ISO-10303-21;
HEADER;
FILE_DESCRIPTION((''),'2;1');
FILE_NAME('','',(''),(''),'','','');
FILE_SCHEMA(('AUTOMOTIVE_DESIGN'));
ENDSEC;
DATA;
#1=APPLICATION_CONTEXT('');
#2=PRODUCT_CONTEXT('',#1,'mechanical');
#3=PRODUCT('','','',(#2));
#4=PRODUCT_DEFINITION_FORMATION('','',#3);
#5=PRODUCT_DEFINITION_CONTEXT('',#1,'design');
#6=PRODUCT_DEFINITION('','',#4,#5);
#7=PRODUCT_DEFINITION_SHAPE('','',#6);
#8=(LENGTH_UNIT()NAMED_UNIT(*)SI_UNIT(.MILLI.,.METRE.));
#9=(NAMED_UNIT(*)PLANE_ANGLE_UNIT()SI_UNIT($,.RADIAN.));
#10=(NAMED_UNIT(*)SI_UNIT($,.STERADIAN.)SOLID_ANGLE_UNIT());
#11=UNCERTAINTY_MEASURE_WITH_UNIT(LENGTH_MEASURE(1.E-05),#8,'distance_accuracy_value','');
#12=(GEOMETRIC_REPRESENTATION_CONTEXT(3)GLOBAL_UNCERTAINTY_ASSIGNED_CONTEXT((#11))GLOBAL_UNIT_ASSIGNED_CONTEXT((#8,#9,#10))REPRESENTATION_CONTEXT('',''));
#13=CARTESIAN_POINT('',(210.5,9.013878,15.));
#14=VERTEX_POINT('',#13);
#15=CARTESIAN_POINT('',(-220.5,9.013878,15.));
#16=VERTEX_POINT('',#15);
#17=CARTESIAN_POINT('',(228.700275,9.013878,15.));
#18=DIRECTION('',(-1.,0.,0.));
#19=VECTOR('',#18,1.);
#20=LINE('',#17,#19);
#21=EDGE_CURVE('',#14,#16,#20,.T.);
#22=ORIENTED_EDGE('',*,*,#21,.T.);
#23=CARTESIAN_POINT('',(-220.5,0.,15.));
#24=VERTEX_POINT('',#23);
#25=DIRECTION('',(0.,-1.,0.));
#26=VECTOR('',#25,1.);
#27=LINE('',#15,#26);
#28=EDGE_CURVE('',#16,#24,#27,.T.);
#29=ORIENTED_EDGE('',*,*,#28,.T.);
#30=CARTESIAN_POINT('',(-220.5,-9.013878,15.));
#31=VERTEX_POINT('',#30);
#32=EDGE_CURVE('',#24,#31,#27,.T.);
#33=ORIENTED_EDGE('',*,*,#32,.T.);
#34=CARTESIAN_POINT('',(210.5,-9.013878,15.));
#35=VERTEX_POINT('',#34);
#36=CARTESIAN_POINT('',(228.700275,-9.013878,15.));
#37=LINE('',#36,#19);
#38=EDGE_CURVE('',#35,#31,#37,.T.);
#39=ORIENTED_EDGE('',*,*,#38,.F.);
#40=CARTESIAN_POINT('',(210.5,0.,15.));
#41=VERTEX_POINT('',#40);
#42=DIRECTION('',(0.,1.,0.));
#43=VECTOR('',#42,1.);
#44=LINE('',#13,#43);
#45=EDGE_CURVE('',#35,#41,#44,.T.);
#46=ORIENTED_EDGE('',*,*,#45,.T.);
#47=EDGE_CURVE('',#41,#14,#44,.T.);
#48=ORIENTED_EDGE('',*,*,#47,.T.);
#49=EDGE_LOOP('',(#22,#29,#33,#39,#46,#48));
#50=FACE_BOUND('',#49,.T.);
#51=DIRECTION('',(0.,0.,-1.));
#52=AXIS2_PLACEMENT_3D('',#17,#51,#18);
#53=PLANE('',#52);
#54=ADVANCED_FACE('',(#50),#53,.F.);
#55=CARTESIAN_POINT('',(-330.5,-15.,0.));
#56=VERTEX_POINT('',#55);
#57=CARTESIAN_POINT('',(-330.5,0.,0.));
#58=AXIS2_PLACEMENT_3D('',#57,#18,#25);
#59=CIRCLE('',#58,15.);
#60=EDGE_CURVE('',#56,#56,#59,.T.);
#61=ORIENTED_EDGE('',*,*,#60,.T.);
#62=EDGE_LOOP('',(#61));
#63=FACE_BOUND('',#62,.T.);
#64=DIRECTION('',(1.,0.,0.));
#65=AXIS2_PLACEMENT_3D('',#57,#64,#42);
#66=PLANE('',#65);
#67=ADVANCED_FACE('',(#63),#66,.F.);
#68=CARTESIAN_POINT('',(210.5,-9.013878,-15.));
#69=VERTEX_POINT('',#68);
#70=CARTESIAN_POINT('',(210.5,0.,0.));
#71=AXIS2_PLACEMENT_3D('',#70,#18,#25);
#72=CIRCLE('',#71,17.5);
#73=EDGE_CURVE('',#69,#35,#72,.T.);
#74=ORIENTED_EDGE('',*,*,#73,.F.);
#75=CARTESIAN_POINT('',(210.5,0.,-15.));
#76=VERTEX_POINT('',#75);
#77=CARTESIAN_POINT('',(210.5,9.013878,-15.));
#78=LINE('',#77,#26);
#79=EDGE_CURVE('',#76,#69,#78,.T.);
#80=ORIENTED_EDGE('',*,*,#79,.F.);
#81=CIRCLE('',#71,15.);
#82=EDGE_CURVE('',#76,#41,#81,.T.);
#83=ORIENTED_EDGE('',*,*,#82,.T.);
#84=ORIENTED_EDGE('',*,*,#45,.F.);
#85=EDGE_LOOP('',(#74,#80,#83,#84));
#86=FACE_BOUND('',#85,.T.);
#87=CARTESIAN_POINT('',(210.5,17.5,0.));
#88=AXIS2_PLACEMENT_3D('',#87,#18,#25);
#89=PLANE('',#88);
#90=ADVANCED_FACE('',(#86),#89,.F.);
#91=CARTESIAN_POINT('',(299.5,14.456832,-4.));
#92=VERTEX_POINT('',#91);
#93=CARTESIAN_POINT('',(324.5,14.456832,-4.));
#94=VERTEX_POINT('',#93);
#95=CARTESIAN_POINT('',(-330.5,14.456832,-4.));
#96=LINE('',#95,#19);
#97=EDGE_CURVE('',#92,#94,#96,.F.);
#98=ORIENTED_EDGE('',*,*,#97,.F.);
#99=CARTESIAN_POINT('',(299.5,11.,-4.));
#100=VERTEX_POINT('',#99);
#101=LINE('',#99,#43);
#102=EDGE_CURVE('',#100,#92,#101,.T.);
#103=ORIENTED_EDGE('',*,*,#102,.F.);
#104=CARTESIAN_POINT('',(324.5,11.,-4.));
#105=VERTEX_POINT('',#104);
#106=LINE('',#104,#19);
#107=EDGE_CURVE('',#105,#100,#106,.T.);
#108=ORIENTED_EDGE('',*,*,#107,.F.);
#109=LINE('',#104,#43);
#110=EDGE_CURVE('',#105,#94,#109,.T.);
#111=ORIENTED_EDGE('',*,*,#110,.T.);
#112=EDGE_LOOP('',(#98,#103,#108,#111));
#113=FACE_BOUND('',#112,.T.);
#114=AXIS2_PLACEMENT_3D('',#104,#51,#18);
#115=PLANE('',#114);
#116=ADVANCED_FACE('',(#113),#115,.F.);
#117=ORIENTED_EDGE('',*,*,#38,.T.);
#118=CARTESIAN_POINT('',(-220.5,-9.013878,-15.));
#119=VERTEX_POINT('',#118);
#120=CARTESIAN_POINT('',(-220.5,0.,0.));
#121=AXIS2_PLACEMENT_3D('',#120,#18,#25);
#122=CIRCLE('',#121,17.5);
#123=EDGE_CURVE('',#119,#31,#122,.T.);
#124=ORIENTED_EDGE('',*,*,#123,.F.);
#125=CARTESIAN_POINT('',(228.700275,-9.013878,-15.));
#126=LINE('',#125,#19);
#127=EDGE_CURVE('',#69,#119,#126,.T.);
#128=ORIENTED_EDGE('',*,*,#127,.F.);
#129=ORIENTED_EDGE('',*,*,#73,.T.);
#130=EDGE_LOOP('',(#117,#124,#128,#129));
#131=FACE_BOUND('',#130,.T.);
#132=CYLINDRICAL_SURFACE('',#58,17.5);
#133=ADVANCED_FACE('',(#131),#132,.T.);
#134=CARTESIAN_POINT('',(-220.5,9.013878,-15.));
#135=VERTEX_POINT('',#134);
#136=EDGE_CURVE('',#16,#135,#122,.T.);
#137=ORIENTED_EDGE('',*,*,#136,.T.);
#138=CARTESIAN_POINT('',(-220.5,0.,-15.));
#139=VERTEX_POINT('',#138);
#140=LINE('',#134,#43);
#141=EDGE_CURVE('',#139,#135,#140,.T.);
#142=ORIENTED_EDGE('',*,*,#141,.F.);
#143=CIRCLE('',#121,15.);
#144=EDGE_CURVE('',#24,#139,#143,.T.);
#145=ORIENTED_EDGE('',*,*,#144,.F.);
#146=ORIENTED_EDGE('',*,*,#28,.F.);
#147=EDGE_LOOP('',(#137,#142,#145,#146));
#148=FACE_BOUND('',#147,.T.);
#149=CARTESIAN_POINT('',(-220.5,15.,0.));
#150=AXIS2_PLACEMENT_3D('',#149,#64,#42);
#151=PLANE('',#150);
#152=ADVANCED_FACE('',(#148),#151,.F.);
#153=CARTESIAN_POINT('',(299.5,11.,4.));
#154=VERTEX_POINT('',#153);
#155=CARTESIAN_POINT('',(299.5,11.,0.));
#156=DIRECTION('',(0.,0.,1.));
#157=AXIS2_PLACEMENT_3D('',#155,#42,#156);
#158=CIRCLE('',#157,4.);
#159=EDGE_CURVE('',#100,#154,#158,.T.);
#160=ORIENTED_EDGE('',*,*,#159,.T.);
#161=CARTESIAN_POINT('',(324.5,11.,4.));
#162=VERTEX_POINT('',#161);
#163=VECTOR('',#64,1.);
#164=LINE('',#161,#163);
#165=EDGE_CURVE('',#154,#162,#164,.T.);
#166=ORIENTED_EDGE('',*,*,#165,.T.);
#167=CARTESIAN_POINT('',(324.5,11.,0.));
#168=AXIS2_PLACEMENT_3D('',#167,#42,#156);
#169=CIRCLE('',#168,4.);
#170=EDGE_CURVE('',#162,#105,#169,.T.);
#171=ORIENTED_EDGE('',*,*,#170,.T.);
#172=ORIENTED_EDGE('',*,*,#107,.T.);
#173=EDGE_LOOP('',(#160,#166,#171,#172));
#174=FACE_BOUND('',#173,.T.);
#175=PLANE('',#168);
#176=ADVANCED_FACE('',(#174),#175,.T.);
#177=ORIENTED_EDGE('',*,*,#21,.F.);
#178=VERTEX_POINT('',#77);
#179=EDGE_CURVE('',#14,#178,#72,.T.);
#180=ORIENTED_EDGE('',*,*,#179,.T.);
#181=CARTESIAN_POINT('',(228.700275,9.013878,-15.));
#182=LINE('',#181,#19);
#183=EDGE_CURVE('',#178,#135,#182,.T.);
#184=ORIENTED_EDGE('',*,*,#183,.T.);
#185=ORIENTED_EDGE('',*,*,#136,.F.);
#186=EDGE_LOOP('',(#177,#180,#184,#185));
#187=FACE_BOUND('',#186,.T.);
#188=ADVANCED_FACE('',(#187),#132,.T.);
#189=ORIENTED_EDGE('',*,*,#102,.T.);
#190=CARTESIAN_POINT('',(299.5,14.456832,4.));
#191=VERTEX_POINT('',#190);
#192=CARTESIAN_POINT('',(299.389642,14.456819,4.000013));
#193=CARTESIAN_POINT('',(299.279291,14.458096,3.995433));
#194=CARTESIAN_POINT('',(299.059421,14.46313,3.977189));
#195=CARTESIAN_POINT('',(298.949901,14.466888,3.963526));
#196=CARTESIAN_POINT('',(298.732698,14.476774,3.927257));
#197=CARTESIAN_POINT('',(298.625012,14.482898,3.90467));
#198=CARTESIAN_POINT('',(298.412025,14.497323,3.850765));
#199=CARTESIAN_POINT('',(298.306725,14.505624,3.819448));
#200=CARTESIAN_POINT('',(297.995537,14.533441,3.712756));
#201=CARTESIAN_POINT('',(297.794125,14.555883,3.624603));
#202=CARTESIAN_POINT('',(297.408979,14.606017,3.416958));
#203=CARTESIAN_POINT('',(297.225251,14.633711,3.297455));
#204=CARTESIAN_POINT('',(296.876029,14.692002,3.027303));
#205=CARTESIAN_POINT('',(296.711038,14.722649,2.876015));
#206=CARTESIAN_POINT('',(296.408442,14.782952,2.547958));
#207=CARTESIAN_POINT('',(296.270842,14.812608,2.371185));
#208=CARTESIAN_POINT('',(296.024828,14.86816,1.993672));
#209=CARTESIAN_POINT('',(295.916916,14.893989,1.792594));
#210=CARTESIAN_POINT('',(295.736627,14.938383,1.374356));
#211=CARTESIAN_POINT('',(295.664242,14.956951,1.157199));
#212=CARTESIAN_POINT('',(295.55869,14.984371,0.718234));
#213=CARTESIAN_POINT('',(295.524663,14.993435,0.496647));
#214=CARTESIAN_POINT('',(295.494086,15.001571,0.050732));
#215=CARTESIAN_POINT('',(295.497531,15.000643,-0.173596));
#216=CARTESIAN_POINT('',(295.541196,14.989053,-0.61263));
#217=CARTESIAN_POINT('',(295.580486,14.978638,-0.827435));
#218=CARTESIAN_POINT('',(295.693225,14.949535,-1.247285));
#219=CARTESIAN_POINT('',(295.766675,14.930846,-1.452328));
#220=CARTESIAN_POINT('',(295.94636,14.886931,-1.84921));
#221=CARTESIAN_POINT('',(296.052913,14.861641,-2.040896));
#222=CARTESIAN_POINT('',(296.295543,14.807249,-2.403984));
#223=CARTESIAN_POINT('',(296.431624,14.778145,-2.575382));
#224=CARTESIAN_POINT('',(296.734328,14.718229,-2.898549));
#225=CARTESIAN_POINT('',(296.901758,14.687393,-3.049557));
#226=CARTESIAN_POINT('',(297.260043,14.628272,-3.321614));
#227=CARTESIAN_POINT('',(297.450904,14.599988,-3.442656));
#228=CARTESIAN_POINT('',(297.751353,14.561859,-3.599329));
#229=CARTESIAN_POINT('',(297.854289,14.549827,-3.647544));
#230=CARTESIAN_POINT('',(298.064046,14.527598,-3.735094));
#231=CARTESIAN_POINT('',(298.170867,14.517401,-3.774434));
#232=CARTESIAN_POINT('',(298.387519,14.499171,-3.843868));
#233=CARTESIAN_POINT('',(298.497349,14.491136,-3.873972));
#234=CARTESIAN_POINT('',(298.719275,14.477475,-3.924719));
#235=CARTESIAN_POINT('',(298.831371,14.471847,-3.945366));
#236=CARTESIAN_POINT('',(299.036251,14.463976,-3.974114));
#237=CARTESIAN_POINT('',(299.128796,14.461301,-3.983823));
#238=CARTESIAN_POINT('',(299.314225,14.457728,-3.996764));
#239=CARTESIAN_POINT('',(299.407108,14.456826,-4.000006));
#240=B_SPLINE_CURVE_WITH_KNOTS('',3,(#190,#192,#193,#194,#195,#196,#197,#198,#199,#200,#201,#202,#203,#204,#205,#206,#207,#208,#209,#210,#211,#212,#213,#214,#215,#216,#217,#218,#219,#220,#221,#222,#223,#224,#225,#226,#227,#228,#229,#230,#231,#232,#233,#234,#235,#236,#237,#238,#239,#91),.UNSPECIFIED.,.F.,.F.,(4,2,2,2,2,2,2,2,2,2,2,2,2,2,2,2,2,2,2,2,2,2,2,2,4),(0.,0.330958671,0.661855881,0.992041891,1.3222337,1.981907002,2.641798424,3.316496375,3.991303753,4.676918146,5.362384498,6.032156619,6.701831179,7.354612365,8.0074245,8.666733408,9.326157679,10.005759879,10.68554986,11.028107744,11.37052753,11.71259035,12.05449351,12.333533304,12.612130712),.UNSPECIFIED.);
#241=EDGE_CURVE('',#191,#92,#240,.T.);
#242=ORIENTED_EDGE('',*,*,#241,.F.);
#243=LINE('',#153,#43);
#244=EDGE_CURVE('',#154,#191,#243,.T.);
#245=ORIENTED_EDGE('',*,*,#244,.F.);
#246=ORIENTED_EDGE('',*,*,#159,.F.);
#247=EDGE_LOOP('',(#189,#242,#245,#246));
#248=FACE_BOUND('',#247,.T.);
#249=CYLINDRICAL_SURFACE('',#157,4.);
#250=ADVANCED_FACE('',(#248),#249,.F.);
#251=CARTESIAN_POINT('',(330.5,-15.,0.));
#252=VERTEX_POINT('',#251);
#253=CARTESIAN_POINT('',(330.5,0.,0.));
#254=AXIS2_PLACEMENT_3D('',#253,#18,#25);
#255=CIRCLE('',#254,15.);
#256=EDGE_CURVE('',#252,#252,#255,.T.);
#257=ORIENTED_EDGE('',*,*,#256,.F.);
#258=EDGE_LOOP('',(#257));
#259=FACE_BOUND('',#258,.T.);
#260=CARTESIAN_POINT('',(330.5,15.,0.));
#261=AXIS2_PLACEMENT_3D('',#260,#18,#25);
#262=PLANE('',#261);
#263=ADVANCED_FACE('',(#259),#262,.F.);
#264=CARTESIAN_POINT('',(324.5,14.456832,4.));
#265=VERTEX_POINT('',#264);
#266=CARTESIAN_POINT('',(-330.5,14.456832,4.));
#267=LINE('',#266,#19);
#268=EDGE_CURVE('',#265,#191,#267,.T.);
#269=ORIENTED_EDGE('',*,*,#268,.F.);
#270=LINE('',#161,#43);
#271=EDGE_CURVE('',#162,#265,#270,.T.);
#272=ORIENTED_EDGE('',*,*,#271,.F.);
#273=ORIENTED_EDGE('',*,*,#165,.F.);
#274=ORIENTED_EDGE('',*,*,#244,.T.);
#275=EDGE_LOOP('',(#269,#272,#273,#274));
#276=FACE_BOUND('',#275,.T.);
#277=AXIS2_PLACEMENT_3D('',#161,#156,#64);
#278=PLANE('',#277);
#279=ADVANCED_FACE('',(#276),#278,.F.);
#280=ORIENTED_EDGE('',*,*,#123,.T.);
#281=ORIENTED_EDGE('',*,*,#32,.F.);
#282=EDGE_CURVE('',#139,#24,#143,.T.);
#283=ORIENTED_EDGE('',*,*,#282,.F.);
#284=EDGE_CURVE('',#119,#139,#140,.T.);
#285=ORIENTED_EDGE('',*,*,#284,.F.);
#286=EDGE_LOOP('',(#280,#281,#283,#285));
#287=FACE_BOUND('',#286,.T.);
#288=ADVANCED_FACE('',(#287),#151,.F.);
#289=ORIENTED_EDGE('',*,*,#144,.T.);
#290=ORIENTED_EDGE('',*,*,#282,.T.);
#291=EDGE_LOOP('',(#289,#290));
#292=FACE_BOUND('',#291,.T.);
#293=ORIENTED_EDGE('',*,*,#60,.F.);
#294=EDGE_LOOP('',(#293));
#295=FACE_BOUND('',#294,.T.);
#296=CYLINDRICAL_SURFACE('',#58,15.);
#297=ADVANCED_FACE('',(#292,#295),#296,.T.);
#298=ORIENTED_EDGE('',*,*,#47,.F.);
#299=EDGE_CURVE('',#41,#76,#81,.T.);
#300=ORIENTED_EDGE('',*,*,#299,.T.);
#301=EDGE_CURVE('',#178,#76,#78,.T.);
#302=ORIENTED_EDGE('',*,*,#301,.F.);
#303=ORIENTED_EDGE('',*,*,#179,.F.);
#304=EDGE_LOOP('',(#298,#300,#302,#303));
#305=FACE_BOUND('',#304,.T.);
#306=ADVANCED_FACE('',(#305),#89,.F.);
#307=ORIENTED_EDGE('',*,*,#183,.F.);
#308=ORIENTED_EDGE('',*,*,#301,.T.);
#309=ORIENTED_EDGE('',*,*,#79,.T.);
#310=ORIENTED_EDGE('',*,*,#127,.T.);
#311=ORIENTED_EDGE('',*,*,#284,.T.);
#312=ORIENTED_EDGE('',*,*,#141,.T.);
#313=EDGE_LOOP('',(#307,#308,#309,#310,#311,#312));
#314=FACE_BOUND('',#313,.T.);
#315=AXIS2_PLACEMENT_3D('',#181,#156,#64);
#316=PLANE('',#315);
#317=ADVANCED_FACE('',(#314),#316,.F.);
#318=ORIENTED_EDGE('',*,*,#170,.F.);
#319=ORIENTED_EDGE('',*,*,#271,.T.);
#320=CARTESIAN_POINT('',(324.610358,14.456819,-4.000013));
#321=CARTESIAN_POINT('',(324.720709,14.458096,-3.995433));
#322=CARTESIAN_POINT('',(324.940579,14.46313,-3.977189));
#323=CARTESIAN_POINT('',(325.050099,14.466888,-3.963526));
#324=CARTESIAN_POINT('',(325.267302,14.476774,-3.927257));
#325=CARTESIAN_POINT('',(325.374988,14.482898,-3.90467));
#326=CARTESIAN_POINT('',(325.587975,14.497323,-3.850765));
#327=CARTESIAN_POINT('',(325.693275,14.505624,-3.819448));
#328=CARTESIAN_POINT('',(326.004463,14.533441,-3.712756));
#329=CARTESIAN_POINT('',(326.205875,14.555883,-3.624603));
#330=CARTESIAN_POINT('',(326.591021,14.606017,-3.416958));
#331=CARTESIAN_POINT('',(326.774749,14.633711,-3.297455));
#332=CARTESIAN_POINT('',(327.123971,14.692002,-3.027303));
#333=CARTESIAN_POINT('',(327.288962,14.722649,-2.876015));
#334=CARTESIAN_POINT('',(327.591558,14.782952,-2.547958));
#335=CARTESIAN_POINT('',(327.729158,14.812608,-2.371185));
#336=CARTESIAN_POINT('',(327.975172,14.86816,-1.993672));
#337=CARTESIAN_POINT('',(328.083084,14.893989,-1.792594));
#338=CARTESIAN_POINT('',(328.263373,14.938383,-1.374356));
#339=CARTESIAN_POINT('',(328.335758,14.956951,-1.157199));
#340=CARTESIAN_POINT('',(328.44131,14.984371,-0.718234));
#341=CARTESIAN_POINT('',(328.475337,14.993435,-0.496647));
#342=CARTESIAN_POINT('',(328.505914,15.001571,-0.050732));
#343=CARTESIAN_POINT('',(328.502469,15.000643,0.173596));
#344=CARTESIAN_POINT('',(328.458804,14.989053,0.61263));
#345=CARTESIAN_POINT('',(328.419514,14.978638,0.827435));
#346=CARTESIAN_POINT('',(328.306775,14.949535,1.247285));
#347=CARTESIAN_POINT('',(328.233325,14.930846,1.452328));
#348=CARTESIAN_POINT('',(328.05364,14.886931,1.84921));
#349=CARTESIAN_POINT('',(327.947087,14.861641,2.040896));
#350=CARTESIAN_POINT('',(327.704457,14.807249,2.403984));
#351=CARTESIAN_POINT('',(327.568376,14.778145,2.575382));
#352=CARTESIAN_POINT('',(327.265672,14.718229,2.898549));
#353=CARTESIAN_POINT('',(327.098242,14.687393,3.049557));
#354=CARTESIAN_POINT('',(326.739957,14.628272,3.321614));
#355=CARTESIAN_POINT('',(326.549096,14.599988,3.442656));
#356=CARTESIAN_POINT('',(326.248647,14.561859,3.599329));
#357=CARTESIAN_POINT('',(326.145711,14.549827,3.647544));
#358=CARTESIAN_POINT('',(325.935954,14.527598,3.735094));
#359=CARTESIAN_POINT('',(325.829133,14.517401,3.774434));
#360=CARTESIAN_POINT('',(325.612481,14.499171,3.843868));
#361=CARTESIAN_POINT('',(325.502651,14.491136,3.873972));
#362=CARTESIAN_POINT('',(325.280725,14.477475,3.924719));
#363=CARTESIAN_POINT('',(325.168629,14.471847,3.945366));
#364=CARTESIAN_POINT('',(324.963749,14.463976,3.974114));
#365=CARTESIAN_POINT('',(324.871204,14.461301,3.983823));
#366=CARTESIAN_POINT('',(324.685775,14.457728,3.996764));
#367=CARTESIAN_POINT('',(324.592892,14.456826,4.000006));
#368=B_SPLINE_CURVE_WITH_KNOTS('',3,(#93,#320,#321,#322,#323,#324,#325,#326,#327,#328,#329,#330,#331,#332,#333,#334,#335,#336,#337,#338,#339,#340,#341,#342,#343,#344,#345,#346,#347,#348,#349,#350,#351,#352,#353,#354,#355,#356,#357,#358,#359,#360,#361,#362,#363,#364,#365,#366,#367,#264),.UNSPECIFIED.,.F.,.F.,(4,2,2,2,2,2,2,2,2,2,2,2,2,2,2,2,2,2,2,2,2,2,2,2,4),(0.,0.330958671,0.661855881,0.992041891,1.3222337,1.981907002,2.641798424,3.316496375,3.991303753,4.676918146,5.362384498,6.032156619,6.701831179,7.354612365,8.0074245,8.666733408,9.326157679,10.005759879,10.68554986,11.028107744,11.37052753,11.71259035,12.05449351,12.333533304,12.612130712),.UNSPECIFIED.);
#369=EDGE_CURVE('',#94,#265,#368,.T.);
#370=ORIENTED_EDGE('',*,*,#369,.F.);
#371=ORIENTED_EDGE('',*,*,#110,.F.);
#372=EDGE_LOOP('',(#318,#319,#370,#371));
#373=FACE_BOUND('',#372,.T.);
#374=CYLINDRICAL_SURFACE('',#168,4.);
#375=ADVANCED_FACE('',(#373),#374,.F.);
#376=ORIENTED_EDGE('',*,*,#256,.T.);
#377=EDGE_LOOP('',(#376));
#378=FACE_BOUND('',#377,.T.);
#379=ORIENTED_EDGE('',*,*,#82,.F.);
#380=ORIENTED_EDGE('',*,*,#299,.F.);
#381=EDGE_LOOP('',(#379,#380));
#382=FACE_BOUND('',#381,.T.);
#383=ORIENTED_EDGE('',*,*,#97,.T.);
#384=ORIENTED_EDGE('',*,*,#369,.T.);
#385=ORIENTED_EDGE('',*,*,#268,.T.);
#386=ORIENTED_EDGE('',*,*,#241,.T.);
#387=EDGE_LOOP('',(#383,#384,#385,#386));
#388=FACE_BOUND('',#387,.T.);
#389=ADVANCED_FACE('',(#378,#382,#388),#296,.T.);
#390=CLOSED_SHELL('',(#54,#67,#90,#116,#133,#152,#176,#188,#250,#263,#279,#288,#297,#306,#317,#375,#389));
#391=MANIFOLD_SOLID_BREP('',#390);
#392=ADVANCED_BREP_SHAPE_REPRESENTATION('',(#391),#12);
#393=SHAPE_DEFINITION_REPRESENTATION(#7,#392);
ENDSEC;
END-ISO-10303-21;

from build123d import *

# Parameters (mm, degrees)
KES_EKSTR_ZYON1_DEPTH = 431
KES_EKSTR_ZYON2_DEPTH = 4


with BuildPart() as part:
    # Çizim1 → Döndür1 (revolve)
    with BuildSketch(Plane.XY):
        Polygon((-330.5, 0), (330.5, 0), (330.5, 15), (210.5, 15), (210.5, 17.5), (-220.5, 17.5), (-220.5, 15), (-330.5, 15), align=None)
    revolve(axis=Axis((-330.5, 0, 0), (1, 0, 0)))

    # Çizim2 → Kes-Ekstrüzyon1 (cut)
    with BuildSketch(Plane.ZY.offset(220.5)):
        with BuildLine():
            Line((-15, 9.013878189), (-15, -9.013878189))
            ThreePointArc((-15, -9.013878189), (-17.5, 0), (-15, 9.013878189))
        make_face()
        with BuildLine():
            Line((15, 9.013878189), (15, -9.013878189))
            ThreePointArc((15, -9.013878189), (17.5, 0), (15, 9.013878189))
        make_face()
    extrude(amount=-KES_EKSTR_ZYON1_DEPTH, mode=Mode.SUBTRACT)

    # Çizim3 → Kes-Ekstrüzyon2 (cut)
    with BuildSketch(Plane(origin=(0, 15, 0), x_dir=(1, 0, 0), z_dir=(0, 1, 0))):
        with BuildLine():
            Line((324.5, -4), (299.5, -4))
            ThreePointArc((299.5, -4), (295.5, 0), (299.5, 4))
            Line((299.5, 4), (324.5, 4))
            ThreePointArc((324.5, 4), (328.5, 0), (324.5, -4))
        make_face()
    extrude(amount=-KES_EKSTR_ZYON2_DEPTH, mode=Mode.SUBTRACT)


solid = part.part
